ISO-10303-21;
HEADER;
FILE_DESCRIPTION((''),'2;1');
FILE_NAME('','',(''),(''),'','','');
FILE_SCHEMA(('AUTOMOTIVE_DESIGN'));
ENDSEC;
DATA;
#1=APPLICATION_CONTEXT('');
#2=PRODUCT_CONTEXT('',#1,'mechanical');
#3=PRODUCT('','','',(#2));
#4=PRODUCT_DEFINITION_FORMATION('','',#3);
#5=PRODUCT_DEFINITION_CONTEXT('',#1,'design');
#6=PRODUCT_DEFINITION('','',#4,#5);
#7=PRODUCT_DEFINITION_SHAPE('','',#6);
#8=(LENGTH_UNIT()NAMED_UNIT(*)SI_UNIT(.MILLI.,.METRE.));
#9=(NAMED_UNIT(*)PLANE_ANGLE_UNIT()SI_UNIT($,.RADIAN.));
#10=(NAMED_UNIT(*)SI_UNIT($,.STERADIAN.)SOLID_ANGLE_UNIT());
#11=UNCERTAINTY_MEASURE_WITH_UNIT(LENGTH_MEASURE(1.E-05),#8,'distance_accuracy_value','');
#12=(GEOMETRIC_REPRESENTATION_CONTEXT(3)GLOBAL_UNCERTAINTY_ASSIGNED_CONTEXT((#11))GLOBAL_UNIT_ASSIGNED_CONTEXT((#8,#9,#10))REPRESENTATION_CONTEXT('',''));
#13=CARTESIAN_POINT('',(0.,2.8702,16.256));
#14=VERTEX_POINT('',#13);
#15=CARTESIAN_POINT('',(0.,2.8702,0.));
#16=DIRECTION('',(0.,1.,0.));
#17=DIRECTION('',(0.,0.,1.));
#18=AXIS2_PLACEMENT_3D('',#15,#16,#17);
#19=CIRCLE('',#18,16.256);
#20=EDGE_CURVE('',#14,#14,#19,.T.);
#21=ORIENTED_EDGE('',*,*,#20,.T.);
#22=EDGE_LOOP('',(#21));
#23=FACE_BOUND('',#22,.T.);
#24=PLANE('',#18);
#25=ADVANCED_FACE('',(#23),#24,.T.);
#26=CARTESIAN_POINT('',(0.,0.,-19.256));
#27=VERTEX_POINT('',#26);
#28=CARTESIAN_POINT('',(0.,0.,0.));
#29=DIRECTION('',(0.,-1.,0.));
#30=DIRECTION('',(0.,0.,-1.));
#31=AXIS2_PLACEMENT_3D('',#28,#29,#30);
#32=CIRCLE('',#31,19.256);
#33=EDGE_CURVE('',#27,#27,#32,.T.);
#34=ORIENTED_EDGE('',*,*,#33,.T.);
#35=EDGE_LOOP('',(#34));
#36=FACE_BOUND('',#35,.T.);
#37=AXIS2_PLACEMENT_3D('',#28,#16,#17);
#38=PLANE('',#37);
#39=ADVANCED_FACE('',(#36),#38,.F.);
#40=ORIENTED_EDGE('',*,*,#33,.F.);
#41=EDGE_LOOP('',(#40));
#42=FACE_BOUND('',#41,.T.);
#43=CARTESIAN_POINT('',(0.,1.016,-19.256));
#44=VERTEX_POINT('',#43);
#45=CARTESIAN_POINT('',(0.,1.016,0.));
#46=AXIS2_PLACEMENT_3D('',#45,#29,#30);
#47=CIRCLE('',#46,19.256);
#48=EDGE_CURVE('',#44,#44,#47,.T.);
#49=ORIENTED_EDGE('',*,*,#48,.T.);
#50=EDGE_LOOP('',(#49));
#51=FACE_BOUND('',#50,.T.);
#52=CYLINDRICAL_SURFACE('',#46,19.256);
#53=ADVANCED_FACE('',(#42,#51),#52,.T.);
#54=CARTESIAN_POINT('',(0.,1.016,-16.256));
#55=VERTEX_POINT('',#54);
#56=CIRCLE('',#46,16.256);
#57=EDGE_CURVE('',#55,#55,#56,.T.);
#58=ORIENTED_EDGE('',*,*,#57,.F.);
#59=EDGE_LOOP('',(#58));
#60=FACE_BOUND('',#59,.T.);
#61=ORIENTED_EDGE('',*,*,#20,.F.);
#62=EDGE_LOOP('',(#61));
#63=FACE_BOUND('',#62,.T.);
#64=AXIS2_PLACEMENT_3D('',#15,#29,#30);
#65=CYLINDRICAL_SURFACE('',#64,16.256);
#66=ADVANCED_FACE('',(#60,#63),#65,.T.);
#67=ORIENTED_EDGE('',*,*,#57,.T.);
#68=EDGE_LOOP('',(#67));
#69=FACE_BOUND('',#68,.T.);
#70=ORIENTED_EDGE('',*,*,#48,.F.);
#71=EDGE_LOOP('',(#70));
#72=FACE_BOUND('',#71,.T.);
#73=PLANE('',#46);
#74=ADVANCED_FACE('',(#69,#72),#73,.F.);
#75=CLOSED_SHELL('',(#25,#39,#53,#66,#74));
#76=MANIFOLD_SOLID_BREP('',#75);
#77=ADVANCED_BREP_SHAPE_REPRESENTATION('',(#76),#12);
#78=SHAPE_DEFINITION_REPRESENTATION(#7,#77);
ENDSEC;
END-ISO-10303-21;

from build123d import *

# Parameters (mm, degrees)
SKETCH1_R           = 16.256
BOSS_EXTRUDE1_DEPTH = 2.8702
SKETCH2_R           = 19.256
BOSS_EXTRUDE2_DEPTH = 1.016


with BuildPart() as part:
    # Sketch1 → Boss-Extrude1 (new body)
    with BuildSketch(Plane(origin=(0, 0, 0), x_dir=(1, 0, 0), z_dir=(0, 1, 0))):
        Circle(SKETCH1_R)
    extrude(amount=BOSS_EXTRUDE1_DEPTH)

    # Sketch2 → Boss-Extrude2 (add)
    with BuildSketch(Plane.XZ):
        Circle(SKETCH2_R)
    extrude(amount=-BOSS_EXTRUDE2_DEPTH)


solid = part.part
